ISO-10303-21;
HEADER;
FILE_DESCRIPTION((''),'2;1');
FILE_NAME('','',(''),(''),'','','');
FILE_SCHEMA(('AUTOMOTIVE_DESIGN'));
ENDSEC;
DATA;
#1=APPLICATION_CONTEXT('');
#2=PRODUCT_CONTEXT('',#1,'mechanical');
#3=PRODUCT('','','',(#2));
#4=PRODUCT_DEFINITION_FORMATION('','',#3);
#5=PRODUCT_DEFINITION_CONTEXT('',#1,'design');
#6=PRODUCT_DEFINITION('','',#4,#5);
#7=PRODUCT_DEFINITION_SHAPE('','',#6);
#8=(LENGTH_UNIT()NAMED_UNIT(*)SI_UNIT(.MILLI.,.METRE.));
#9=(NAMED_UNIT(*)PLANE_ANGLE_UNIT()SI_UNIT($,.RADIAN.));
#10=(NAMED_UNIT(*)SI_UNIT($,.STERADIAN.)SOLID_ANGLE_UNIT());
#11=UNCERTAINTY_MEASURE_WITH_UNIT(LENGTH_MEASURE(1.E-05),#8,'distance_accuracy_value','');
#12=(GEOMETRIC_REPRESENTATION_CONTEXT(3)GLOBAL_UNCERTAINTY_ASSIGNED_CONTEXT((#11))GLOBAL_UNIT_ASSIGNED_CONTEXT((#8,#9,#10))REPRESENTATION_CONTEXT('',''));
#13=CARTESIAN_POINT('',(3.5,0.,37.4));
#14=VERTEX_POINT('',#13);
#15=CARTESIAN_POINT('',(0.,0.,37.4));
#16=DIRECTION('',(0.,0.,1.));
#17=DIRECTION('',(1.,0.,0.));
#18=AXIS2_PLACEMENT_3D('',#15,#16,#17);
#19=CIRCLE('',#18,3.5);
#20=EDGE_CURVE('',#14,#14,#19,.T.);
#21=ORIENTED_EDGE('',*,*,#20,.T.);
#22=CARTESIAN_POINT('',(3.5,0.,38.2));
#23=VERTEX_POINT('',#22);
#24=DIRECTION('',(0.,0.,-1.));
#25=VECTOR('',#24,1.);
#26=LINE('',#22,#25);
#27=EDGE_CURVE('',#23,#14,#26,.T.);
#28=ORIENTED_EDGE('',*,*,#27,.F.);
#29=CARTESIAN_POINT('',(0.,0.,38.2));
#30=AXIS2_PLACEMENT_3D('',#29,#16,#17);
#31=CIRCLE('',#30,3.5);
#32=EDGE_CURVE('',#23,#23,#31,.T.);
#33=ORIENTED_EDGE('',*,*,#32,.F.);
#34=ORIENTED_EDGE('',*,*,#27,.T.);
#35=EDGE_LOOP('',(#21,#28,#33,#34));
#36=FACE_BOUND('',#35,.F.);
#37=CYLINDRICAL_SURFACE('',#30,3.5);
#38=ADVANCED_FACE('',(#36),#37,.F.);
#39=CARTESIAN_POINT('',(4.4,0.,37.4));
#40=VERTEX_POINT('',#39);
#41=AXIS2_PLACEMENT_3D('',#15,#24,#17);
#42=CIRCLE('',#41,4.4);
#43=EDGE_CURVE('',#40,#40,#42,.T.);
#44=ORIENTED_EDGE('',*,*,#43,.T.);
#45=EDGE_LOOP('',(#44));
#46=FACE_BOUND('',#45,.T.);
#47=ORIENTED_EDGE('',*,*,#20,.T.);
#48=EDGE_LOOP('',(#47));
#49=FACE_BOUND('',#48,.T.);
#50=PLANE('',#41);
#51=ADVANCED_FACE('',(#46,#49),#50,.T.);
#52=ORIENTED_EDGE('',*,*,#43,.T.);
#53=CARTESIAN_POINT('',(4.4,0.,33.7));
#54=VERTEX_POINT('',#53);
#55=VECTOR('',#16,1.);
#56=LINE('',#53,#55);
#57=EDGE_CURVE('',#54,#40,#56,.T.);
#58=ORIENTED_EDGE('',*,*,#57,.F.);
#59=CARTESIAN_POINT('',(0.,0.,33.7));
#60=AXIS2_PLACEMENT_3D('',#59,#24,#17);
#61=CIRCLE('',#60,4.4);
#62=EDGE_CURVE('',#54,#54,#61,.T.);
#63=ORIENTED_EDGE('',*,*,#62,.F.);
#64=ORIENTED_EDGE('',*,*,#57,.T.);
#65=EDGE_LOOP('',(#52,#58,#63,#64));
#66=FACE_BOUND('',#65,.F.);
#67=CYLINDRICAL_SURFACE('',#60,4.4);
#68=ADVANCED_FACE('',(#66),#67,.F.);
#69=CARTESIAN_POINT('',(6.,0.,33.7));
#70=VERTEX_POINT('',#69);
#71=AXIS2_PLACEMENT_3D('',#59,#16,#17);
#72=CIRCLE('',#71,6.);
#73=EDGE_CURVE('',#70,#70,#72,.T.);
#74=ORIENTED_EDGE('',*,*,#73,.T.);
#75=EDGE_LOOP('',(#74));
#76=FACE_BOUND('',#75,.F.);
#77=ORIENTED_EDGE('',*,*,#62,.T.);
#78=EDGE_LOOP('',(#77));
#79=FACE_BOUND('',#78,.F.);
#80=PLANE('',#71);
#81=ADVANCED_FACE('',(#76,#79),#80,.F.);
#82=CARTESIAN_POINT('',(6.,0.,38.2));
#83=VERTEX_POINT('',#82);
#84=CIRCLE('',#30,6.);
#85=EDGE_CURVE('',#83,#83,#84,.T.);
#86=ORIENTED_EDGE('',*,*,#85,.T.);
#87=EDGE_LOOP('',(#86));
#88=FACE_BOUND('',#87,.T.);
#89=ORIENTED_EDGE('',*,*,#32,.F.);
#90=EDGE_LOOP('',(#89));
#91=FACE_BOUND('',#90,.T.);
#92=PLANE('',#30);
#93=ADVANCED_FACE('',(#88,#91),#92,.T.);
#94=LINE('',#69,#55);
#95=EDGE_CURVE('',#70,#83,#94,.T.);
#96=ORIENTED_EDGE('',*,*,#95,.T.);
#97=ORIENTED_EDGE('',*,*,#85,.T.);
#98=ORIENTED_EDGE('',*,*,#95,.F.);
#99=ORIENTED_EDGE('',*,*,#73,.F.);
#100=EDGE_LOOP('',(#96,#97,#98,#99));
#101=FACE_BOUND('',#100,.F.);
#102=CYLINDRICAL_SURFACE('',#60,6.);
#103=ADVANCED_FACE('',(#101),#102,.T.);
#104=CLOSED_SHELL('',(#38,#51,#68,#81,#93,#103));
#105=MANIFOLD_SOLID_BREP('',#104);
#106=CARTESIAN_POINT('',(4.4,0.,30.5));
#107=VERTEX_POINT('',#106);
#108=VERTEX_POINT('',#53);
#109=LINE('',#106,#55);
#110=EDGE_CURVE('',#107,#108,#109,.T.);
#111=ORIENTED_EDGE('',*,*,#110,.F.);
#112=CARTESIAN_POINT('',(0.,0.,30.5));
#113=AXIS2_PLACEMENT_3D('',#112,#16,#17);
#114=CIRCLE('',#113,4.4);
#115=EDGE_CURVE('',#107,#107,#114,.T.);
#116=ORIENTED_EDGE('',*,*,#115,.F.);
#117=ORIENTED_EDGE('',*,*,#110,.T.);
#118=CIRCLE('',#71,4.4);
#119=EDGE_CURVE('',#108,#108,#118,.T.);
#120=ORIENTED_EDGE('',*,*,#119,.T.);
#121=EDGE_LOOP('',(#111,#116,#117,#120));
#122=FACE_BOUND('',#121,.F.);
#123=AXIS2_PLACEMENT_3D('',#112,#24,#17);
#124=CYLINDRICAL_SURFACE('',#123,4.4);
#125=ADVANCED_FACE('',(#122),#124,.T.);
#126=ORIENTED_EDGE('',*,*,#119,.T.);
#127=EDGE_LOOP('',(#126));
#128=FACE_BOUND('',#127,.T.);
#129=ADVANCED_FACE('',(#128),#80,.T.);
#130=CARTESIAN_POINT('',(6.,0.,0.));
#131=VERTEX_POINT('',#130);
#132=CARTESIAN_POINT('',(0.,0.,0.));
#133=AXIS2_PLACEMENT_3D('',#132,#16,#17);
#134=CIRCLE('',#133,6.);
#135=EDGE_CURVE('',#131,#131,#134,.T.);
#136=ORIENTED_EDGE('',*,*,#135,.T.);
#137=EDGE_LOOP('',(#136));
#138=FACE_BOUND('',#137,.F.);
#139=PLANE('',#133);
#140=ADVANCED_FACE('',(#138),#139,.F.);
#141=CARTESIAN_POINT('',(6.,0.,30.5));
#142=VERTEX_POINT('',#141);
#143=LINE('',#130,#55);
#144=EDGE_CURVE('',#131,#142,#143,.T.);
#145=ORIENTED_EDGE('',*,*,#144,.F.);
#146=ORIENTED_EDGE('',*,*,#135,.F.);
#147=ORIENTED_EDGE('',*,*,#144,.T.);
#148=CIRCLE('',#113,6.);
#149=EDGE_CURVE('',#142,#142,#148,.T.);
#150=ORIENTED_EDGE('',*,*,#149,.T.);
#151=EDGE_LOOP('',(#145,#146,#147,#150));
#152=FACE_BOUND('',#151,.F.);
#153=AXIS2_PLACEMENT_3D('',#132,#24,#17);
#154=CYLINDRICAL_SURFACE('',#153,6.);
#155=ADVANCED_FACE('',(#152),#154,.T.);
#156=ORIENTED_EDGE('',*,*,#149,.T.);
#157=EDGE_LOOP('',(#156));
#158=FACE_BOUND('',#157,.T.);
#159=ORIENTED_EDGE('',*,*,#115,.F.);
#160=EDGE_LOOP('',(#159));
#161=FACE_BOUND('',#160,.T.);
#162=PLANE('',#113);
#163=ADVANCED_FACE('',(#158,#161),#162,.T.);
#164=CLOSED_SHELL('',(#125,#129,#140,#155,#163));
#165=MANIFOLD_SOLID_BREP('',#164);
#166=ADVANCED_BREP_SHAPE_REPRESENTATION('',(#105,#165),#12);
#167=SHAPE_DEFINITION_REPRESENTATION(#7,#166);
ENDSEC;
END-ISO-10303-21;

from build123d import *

# Parameters (mm, degrees)
F0_R     = 6
F1_DEPTH = 30.5
F2_R     = 4.4
F3_DEPTH = 3.2
F4_R     = 6
F5_DEPTH = 4.5
F6_R     = 4.4
F7_DEPTH = 3.7
F8_R     = 3.5
F9_DEPTH = 1


with BuildPart() as f1:
    # F0 (on Top) → F1 (new body)
    with BuildSketch(Plane.XY):
        Circle(F0_R)
    extrude(amount=F1_DEPTH)

    # F2 (on face) → F3 (join)
    with BuildSketch(Plane.XY.offset(30.5)):
        Circle(F2_R)
    extrude(amount=F3_DEPTH)


with BuildPart() as f5:
    # F4 (on face) → F5 (new body)
    with BuildSketch(Plane.XY.offset(33.7)):
        Circle(F4_R)
    extrude(amount=F5_DEPTH)

    # F6 (on face) → F7 (cut)
    with BuildSketch(Plane(origin=(0, 0, 33.7), x_dir=(1, 0, 0), z_dir=(0, 0, -1))):
        Circle(F6_R)
    extrude(amount=-F7_DEPTH, mode=Mode.SUBTRACT)

    # F8 (on face) → F9 (cut)
    with BuildSketch(Plane.XY.offset(38.2)):
        Circle(F8_R)
    extrude(amount=-F9_DEPTH, mode=Mode.SUBTRACT)


solid = Compound([f1.part, f5.part])
